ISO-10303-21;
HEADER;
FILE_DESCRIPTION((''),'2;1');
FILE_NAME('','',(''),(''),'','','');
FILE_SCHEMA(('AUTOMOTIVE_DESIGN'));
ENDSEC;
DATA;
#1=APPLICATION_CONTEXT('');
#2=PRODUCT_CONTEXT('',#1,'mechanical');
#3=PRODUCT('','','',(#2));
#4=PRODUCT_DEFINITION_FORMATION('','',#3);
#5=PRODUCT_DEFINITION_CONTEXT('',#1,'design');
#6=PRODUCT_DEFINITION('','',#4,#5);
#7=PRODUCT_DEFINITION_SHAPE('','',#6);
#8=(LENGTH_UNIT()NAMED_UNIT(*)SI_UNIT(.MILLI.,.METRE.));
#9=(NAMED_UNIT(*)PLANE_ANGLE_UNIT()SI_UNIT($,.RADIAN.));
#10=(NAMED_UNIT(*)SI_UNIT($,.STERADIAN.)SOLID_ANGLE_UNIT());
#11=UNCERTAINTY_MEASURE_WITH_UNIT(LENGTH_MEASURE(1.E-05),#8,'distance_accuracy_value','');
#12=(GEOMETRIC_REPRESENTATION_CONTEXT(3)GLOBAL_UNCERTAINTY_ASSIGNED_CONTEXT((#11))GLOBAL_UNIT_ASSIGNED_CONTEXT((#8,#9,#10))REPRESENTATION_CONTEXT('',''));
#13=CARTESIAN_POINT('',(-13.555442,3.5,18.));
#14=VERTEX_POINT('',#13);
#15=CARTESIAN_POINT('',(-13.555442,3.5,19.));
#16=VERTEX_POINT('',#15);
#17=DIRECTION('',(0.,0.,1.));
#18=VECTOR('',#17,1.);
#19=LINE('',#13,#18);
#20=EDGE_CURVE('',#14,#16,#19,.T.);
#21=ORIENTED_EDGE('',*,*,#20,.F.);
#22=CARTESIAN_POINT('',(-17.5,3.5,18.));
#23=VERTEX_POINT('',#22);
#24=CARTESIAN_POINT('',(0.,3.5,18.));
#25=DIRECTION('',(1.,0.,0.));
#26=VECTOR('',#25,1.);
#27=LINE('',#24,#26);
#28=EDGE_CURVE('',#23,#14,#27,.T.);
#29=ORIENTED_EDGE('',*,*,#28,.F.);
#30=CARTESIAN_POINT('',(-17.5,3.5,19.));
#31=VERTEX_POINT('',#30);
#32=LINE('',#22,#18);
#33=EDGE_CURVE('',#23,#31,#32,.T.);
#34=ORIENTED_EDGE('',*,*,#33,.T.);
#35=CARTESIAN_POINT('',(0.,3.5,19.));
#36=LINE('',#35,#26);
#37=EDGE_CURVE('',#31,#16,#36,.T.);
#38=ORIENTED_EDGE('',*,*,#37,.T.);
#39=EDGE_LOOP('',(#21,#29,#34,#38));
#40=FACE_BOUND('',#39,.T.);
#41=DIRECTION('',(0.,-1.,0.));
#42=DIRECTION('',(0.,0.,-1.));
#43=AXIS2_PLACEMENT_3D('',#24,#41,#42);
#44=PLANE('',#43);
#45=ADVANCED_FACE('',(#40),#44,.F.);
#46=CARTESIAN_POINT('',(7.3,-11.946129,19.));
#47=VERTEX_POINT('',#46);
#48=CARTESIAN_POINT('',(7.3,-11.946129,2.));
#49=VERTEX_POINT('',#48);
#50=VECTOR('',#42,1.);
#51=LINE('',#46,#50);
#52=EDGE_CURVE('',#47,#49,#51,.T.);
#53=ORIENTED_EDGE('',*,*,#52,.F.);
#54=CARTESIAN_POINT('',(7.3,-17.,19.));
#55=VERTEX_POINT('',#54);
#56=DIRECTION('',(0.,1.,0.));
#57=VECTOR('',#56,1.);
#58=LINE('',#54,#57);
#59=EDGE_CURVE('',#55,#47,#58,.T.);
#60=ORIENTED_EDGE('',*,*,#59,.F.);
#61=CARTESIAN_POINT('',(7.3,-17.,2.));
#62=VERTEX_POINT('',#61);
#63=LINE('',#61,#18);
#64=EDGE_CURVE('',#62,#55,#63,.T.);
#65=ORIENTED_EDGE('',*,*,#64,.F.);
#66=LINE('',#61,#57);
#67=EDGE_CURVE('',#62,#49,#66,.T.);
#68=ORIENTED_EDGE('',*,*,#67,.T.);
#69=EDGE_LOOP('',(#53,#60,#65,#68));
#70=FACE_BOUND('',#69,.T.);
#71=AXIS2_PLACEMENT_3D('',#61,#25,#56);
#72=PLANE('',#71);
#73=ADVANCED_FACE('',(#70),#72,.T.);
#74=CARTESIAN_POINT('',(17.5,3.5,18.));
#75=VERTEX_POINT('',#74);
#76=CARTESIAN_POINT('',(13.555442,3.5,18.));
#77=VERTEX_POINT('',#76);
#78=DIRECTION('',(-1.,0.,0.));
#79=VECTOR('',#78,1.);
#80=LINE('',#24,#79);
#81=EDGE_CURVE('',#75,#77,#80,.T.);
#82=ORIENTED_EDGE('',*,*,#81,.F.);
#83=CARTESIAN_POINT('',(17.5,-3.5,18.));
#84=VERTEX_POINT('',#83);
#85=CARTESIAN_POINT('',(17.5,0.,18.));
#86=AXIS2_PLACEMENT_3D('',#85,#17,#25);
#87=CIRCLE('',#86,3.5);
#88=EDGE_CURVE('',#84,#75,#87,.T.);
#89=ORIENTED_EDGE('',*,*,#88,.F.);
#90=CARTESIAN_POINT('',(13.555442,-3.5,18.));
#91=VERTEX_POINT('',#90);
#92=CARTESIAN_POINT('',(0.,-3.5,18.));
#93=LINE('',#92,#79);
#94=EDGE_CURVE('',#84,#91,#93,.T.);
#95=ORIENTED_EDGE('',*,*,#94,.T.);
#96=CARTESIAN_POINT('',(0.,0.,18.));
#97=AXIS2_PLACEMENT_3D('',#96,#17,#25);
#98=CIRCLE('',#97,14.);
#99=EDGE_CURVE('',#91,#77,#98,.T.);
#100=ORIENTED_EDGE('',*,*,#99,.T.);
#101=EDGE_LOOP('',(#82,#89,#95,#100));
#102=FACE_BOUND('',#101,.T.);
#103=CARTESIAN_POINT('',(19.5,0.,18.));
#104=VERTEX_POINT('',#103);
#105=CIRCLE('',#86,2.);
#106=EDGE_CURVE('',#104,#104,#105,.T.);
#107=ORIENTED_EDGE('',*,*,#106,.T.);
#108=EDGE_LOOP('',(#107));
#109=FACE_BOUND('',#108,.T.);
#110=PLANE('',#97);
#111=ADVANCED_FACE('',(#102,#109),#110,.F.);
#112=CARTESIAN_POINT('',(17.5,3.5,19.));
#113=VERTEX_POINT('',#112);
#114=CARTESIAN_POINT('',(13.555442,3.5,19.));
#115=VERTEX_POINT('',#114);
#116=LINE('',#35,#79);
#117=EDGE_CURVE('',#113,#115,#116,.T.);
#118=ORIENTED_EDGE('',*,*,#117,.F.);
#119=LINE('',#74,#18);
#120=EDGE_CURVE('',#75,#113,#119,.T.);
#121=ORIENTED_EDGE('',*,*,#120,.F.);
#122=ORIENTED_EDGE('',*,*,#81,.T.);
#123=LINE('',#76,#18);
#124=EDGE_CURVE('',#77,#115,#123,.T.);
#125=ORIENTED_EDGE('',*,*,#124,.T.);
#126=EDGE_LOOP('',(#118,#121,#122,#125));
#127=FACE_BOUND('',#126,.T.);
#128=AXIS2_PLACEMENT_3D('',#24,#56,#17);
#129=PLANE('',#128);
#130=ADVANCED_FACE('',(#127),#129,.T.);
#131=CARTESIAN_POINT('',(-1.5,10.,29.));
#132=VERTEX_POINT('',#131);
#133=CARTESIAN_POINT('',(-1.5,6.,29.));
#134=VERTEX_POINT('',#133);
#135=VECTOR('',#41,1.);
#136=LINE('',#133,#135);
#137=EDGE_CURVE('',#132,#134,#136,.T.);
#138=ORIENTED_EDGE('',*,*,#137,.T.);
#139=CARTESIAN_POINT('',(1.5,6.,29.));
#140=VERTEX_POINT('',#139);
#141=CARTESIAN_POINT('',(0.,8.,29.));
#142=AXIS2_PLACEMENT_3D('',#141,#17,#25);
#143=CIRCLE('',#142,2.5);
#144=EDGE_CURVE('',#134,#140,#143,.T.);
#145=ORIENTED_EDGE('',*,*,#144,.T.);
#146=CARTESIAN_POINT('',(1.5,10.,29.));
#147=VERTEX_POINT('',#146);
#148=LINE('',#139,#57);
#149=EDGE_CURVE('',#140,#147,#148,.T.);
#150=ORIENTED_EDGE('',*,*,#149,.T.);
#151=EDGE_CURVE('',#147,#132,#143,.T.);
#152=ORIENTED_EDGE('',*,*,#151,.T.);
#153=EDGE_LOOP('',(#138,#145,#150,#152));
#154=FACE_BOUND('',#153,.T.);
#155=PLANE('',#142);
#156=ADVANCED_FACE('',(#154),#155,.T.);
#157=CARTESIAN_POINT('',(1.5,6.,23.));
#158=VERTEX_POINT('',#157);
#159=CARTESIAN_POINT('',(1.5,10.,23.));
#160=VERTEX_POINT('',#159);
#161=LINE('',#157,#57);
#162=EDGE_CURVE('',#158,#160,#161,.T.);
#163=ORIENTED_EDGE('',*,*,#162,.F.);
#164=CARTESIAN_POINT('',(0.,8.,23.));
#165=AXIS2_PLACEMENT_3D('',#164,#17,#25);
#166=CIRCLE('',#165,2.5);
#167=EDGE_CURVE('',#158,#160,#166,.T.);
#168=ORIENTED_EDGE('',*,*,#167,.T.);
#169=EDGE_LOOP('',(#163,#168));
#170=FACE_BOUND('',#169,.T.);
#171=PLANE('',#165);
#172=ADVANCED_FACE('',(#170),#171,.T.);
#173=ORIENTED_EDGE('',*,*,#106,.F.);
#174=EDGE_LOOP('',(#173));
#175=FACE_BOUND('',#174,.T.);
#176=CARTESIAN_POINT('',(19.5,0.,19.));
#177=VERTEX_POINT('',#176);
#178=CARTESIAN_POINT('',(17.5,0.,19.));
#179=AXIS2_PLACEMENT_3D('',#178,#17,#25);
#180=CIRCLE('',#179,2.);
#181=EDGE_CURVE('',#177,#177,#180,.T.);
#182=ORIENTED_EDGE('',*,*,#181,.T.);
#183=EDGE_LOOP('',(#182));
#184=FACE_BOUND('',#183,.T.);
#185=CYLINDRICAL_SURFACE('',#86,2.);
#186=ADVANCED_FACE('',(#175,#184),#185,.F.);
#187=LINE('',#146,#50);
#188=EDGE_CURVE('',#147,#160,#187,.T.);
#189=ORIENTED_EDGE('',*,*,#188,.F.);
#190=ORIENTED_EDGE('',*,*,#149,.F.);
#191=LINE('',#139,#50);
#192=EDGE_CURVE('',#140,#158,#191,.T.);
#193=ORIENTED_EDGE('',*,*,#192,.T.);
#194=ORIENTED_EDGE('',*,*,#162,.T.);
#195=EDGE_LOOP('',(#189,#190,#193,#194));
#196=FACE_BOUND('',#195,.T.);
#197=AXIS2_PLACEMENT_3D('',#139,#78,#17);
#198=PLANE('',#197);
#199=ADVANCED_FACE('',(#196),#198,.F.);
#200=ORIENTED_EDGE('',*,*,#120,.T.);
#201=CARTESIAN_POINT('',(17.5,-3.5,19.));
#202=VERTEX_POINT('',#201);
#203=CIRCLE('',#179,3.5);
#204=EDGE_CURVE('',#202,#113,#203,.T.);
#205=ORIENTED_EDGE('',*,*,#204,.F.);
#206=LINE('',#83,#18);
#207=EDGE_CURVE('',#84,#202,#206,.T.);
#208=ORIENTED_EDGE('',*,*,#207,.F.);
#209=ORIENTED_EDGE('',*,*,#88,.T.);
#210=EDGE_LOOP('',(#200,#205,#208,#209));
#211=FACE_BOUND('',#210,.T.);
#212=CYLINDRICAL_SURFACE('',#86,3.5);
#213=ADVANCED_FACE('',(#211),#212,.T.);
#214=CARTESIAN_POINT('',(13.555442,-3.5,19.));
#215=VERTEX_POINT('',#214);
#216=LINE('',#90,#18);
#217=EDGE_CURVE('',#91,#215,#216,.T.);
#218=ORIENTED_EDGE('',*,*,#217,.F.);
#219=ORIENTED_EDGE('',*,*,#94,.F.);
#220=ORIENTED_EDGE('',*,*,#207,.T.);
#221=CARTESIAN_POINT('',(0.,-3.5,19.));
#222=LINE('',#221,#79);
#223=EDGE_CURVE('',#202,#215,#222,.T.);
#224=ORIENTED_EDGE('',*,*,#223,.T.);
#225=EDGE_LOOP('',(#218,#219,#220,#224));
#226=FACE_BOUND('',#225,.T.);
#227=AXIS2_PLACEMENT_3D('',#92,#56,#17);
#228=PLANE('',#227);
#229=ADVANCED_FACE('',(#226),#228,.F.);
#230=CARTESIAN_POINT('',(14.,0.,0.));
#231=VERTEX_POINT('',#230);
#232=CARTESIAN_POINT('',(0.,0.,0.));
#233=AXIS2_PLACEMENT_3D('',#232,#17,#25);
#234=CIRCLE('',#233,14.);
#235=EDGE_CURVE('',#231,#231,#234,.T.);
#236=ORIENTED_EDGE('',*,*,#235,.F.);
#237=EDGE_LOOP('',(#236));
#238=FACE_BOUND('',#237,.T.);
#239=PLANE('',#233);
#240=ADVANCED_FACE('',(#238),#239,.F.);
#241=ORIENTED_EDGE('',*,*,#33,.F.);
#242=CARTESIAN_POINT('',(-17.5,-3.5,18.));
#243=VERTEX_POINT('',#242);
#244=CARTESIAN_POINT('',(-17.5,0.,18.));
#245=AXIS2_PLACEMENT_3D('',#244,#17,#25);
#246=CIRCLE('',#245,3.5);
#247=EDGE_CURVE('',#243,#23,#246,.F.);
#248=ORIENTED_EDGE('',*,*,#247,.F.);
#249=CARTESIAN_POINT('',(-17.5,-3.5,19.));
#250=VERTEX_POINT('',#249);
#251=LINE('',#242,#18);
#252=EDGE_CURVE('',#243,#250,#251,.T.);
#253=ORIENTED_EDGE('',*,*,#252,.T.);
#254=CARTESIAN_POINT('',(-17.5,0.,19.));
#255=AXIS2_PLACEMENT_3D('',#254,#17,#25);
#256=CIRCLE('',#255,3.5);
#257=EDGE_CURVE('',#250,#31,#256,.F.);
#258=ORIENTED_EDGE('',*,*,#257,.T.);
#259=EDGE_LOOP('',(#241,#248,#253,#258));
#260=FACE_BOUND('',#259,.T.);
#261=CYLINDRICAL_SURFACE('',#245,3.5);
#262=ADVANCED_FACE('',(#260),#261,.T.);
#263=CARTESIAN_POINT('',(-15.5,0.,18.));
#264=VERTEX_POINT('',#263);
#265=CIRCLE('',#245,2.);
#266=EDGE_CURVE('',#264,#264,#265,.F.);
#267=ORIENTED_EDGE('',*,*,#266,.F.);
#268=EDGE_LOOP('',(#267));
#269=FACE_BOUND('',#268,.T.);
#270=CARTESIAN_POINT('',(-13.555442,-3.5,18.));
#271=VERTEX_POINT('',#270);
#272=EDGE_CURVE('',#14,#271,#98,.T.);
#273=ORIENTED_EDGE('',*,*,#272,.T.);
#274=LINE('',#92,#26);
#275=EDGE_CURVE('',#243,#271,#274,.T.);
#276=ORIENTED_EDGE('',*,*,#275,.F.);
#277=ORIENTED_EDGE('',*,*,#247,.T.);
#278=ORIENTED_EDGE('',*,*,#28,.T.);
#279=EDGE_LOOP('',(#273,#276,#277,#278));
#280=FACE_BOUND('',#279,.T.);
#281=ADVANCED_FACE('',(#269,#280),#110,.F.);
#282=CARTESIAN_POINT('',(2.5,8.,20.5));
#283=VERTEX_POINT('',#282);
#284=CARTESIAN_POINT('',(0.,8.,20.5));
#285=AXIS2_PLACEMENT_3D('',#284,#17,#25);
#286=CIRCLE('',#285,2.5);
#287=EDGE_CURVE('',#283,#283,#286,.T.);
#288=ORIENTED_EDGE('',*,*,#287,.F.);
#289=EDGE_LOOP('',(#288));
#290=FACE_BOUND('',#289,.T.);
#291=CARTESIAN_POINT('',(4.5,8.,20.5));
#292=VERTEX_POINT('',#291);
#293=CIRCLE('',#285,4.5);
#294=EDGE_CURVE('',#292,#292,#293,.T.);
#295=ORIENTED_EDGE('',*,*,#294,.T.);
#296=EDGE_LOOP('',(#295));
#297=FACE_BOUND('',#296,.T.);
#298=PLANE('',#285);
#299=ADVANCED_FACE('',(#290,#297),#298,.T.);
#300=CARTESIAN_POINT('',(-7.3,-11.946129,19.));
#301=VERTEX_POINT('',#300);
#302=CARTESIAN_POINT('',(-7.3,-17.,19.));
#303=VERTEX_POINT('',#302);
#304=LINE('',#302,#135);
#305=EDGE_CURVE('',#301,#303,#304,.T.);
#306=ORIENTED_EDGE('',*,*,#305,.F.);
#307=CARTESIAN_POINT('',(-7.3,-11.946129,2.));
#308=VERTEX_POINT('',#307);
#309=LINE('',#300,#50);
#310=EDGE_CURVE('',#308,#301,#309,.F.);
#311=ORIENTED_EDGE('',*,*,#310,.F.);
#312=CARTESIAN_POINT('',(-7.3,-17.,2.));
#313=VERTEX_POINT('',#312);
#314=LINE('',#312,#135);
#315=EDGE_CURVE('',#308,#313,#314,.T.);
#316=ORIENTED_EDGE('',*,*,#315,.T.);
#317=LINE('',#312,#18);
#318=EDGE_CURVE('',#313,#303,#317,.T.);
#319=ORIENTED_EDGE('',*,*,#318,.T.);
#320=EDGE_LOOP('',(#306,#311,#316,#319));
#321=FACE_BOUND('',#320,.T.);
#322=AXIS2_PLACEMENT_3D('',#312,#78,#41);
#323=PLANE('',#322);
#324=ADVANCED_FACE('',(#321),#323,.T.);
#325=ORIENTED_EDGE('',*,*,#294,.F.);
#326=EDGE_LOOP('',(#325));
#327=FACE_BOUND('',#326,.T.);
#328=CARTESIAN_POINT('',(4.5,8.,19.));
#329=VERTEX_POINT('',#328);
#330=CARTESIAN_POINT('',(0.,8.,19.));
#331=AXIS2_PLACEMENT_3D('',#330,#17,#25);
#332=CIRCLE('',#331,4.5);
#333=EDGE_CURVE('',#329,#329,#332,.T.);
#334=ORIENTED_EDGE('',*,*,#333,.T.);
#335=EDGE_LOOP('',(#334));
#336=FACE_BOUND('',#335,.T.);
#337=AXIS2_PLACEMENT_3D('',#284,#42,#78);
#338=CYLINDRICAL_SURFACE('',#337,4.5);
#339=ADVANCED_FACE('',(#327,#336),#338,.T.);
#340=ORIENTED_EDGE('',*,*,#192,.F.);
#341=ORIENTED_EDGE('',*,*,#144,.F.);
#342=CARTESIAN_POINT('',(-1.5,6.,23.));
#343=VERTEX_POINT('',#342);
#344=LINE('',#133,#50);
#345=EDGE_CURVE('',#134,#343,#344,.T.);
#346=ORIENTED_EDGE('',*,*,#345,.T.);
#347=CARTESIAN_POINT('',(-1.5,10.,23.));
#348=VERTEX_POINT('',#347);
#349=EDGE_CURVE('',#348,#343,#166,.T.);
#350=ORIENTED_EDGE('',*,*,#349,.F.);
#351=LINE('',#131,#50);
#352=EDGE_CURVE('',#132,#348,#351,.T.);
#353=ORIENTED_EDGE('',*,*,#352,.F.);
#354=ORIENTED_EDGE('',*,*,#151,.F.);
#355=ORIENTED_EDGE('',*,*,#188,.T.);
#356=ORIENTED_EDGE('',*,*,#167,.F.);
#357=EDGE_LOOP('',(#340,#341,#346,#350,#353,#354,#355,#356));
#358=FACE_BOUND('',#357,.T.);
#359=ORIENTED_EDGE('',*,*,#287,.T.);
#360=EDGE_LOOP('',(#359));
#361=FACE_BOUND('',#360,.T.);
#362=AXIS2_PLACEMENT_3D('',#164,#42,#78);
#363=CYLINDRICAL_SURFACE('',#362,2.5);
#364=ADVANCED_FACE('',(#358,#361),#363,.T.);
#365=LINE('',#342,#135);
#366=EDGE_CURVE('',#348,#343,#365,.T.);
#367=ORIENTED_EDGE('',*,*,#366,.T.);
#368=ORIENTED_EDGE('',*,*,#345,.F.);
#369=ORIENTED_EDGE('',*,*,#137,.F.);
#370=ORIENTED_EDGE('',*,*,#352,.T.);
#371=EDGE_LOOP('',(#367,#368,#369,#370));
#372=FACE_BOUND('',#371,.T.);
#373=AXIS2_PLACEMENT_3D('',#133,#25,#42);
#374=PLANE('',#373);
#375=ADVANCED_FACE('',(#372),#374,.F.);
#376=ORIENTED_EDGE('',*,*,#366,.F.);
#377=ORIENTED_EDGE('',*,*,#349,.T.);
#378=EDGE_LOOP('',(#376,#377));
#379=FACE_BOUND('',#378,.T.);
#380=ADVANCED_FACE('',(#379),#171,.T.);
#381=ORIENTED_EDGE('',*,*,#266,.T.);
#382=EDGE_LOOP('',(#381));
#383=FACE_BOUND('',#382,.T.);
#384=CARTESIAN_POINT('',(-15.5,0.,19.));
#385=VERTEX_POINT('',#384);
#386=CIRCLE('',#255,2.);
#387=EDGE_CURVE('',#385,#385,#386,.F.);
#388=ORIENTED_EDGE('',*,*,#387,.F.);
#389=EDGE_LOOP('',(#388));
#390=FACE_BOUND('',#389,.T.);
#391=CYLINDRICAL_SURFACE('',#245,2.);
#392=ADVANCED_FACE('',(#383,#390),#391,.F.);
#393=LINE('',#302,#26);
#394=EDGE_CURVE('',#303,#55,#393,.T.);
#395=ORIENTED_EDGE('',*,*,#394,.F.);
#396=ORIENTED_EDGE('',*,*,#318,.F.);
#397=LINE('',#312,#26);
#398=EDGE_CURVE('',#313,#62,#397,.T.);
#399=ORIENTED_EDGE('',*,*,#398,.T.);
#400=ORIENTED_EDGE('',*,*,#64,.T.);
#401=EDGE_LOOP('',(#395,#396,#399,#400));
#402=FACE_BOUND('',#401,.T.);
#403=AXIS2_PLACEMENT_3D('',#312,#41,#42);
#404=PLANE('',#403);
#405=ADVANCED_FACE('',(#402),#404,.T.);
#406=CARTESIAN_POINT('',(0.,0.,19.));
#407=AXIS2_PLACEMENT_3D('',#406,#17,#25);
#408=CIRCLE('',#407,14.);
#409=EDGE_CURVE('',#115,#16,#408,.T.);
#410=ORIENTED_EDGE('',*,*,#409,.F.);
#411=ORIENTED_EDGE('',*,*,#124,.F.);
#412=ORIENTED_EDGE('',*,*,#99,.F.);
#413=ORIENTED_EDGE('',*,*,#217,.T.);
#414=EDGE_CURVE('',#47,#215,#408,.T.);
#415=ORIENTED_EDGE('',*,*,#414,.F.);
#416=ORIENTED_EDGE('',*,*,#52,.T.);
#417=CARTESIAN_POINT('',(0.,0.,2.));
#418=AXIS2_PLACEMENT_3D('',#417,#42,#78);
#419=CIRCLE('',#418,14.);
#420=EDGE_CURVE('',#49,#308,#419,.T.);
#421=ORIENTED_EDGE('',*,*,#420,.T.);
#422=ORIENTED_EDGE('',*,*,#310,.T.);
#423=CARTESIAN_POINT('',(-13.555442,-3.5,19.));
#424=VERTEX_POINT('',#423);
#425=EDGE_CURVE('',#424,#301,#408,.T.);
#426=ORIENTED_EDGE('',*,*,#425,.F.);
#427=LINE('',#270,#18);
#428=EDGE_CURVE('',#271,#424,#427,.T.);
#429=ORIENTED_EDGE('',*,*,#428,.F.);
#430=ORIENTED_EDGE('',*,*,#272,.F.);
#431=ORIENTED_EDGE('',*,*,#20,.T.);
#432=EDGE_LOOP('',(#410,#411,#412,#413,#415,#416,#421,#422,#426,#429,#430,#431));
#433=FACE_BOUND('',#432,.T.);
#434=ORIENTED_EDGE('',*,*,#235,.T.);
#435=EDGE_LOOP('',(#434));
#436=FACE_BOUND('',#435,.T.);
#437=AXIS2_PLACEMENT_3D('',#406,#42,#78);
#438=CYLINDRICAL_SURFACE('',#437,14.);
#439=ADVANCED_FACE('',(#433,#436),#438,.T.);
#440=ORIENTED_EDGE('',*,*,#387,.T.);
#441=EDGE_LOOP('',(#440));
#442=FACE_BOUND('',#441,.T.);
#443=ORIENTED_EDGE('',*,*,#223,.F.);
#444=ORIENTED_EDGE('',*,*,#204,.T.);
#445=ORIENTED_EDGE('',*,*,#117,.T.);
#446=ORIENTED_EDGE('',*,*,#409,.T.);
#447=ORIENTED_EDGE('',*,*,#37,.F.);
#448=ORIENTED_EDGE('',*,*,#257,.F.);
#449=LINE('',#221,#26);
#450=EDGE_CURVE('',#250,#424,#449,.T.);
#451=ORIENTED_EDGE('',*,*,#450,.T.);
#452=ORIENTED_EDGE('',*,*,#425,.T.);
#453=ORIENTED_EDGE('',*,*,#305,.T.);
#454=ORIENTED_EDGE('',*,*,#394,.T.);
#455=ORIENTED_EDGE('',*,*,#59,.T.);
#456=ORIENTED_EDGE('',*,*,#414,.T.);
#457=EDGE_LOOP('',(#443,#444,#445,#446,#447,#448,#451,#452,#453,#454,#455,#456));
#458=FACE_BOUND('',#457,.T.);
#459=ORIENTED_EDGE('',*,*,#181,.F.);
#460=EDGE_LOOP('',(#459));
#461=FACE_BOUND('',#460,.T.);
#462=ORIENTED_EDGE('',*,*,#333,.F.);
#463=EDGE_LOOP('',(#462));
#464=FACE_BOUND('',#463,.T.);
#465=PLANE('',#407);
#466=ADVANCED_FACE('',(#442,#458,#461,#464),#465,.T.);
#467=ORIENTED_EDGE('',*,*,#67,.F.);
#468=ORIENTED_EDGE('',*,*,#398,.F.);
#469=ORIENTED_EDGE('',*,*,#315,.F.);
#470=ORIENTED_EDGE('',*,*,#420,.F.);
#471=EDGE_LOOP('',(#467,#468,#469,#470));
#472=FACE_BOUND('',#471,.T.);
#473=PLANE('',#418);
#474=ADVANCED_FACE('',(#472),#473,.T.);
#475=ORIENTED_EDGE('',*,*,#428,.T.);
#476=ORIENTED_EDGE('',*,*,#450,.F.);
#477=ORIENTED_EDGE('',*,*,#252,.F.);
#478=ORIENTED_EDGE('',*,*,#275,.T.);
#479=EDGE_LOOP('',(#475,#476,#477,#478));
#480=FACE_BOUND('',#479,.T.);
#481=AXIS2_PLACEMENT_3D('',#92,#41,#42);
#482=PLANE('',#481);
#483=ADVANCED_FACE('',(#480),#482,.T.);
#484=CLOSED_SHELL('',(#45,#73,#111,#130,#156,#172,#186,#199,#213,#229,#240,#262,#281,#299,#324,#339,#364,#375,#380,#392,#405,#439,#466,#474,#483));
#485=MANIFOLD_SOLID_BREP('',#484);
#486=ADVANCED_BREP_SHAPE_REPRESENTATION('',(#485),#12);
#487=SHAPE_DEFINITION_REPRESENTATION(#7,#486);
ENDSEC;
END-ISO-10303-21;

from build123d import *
from build123d.topology import SkipClean

# Parameters (mm, degrees)
SKETCH2_R           = 14
BOSS_EXTRUDE2_DEPTH = 19
SKETCH3_R           = 4.5
BOSS_EXTRUDE3_DEPTH = 1.5
SKETCH4_R           = 2.5
BOSS_EXTRUDE4_DEPTH = 2.5
SKETCH5_R           = 2
BOSS_EXTRUDE5_DEPTH = 1
SKETCH6_W           = 14.6
SKETCH6_H           = 9.231468238
BOSS_EXTRUDE6_DEPTH = 17
BOSS_EXTRUDE7_DEPTH = 6


with BuildPart() as part:
    # Sketch2 → Boss-Extrude2 (new body)
    with BuildSketch(Plane.XY):
        Circle(SKETCH2_R)
    extrude(amount=BOSS_EXTRUDE2_DEPTH)

    # Sketch3 → Boss-Extrude3 (add)
    with BuildSketch(Plane.XY.offset(19)):
        with Locations((0, 8)):
            Circle(SKETCH3_R)
    extrude(amount=BOSS_EXTRUDE3_DEPTH)

    # Sketch4 → Boss-Extrude4 (add)
    with BuildSketch(Plane.XY.offset(20.5)):
        with Locations((0, 8)):
            Circle(SKETCH4_R)
    extrude(amount=BOSS_EXTRUDE4_DEPTH)

    # Sketch5 → Boss-Extrude5 (add)
    with BuildSketch(Plane.XY.offset(19)):
        with BuildLine():
            ThreePointArc((17.5, -3.5), (21, 0), (17.5, 3.5))
            Line((17.5, 3.5), (13.555441712, 3.5))
            ThreePointArc((13.555441712, 3.5), (13.888415748, 1.764060095), (14, 0))
            ThreePointArc((14, 0), (13.888415748, -1.764060095), (13.555441712, -3.5))
            Line((13.555441712, -3.5), (17.5, -3.5))
        make_face()
        with Locations((17.5, 0)):
            Circle(SKETCH5_R, mode=Mode.SUBTRACT)
        with BuildLine():
            ThreePointArc((-13.555441712, -3.5), (-14, 0), (-13.555441712, 3.5))
            Line((-13.555441712, 3.5), (-17.5, 3.5))
            ThreePointArc((-17.5, 3.5), (-21, 0), (-17.5, -3.5))
            Line((-17.5, -3.5), (-13.555441712, -3.5))
        make_face()
        with Locations((-17.5, 0)):
            Circle(SKETCH5_R, mode=Mode.SUBTRACT)
    extrude(amount=-BOSS_EXTRUDE5_DEPTH)

    # Sketch6 → Boss-Extrude6 (add)
    with BuildSketch(Plane.XY.offset(19)):
        with Locations((0, -12.384265881)):
            Rectangle(SKETCH6_W, SKETCH6_H)
    extrude(amount=-BOSS_EXTRUDE6_DEPTH)

    # Sketch7 → Boss-Extrude7 (add)
    with SkipClean():  # the faces are left unmerged after this step: merging them gives an invalid solid
        with BuildSketch(Plane.XY.offset(23)):
            with BuildLine():
                Line((-1.5, 6), (-1.5, 10))
                ThreePointArc((-1.5, 10), (0, 10.5), (1.5, 10))
                Line((1.5, 10), (1.5, 6))
                ThreePointArc((1.5, 6), (0, 5.5), (-1.5, 6))
            make_face()
        extrude(amount=BOSS_EXTRUDE7_DEPTH)


solid = part.part
